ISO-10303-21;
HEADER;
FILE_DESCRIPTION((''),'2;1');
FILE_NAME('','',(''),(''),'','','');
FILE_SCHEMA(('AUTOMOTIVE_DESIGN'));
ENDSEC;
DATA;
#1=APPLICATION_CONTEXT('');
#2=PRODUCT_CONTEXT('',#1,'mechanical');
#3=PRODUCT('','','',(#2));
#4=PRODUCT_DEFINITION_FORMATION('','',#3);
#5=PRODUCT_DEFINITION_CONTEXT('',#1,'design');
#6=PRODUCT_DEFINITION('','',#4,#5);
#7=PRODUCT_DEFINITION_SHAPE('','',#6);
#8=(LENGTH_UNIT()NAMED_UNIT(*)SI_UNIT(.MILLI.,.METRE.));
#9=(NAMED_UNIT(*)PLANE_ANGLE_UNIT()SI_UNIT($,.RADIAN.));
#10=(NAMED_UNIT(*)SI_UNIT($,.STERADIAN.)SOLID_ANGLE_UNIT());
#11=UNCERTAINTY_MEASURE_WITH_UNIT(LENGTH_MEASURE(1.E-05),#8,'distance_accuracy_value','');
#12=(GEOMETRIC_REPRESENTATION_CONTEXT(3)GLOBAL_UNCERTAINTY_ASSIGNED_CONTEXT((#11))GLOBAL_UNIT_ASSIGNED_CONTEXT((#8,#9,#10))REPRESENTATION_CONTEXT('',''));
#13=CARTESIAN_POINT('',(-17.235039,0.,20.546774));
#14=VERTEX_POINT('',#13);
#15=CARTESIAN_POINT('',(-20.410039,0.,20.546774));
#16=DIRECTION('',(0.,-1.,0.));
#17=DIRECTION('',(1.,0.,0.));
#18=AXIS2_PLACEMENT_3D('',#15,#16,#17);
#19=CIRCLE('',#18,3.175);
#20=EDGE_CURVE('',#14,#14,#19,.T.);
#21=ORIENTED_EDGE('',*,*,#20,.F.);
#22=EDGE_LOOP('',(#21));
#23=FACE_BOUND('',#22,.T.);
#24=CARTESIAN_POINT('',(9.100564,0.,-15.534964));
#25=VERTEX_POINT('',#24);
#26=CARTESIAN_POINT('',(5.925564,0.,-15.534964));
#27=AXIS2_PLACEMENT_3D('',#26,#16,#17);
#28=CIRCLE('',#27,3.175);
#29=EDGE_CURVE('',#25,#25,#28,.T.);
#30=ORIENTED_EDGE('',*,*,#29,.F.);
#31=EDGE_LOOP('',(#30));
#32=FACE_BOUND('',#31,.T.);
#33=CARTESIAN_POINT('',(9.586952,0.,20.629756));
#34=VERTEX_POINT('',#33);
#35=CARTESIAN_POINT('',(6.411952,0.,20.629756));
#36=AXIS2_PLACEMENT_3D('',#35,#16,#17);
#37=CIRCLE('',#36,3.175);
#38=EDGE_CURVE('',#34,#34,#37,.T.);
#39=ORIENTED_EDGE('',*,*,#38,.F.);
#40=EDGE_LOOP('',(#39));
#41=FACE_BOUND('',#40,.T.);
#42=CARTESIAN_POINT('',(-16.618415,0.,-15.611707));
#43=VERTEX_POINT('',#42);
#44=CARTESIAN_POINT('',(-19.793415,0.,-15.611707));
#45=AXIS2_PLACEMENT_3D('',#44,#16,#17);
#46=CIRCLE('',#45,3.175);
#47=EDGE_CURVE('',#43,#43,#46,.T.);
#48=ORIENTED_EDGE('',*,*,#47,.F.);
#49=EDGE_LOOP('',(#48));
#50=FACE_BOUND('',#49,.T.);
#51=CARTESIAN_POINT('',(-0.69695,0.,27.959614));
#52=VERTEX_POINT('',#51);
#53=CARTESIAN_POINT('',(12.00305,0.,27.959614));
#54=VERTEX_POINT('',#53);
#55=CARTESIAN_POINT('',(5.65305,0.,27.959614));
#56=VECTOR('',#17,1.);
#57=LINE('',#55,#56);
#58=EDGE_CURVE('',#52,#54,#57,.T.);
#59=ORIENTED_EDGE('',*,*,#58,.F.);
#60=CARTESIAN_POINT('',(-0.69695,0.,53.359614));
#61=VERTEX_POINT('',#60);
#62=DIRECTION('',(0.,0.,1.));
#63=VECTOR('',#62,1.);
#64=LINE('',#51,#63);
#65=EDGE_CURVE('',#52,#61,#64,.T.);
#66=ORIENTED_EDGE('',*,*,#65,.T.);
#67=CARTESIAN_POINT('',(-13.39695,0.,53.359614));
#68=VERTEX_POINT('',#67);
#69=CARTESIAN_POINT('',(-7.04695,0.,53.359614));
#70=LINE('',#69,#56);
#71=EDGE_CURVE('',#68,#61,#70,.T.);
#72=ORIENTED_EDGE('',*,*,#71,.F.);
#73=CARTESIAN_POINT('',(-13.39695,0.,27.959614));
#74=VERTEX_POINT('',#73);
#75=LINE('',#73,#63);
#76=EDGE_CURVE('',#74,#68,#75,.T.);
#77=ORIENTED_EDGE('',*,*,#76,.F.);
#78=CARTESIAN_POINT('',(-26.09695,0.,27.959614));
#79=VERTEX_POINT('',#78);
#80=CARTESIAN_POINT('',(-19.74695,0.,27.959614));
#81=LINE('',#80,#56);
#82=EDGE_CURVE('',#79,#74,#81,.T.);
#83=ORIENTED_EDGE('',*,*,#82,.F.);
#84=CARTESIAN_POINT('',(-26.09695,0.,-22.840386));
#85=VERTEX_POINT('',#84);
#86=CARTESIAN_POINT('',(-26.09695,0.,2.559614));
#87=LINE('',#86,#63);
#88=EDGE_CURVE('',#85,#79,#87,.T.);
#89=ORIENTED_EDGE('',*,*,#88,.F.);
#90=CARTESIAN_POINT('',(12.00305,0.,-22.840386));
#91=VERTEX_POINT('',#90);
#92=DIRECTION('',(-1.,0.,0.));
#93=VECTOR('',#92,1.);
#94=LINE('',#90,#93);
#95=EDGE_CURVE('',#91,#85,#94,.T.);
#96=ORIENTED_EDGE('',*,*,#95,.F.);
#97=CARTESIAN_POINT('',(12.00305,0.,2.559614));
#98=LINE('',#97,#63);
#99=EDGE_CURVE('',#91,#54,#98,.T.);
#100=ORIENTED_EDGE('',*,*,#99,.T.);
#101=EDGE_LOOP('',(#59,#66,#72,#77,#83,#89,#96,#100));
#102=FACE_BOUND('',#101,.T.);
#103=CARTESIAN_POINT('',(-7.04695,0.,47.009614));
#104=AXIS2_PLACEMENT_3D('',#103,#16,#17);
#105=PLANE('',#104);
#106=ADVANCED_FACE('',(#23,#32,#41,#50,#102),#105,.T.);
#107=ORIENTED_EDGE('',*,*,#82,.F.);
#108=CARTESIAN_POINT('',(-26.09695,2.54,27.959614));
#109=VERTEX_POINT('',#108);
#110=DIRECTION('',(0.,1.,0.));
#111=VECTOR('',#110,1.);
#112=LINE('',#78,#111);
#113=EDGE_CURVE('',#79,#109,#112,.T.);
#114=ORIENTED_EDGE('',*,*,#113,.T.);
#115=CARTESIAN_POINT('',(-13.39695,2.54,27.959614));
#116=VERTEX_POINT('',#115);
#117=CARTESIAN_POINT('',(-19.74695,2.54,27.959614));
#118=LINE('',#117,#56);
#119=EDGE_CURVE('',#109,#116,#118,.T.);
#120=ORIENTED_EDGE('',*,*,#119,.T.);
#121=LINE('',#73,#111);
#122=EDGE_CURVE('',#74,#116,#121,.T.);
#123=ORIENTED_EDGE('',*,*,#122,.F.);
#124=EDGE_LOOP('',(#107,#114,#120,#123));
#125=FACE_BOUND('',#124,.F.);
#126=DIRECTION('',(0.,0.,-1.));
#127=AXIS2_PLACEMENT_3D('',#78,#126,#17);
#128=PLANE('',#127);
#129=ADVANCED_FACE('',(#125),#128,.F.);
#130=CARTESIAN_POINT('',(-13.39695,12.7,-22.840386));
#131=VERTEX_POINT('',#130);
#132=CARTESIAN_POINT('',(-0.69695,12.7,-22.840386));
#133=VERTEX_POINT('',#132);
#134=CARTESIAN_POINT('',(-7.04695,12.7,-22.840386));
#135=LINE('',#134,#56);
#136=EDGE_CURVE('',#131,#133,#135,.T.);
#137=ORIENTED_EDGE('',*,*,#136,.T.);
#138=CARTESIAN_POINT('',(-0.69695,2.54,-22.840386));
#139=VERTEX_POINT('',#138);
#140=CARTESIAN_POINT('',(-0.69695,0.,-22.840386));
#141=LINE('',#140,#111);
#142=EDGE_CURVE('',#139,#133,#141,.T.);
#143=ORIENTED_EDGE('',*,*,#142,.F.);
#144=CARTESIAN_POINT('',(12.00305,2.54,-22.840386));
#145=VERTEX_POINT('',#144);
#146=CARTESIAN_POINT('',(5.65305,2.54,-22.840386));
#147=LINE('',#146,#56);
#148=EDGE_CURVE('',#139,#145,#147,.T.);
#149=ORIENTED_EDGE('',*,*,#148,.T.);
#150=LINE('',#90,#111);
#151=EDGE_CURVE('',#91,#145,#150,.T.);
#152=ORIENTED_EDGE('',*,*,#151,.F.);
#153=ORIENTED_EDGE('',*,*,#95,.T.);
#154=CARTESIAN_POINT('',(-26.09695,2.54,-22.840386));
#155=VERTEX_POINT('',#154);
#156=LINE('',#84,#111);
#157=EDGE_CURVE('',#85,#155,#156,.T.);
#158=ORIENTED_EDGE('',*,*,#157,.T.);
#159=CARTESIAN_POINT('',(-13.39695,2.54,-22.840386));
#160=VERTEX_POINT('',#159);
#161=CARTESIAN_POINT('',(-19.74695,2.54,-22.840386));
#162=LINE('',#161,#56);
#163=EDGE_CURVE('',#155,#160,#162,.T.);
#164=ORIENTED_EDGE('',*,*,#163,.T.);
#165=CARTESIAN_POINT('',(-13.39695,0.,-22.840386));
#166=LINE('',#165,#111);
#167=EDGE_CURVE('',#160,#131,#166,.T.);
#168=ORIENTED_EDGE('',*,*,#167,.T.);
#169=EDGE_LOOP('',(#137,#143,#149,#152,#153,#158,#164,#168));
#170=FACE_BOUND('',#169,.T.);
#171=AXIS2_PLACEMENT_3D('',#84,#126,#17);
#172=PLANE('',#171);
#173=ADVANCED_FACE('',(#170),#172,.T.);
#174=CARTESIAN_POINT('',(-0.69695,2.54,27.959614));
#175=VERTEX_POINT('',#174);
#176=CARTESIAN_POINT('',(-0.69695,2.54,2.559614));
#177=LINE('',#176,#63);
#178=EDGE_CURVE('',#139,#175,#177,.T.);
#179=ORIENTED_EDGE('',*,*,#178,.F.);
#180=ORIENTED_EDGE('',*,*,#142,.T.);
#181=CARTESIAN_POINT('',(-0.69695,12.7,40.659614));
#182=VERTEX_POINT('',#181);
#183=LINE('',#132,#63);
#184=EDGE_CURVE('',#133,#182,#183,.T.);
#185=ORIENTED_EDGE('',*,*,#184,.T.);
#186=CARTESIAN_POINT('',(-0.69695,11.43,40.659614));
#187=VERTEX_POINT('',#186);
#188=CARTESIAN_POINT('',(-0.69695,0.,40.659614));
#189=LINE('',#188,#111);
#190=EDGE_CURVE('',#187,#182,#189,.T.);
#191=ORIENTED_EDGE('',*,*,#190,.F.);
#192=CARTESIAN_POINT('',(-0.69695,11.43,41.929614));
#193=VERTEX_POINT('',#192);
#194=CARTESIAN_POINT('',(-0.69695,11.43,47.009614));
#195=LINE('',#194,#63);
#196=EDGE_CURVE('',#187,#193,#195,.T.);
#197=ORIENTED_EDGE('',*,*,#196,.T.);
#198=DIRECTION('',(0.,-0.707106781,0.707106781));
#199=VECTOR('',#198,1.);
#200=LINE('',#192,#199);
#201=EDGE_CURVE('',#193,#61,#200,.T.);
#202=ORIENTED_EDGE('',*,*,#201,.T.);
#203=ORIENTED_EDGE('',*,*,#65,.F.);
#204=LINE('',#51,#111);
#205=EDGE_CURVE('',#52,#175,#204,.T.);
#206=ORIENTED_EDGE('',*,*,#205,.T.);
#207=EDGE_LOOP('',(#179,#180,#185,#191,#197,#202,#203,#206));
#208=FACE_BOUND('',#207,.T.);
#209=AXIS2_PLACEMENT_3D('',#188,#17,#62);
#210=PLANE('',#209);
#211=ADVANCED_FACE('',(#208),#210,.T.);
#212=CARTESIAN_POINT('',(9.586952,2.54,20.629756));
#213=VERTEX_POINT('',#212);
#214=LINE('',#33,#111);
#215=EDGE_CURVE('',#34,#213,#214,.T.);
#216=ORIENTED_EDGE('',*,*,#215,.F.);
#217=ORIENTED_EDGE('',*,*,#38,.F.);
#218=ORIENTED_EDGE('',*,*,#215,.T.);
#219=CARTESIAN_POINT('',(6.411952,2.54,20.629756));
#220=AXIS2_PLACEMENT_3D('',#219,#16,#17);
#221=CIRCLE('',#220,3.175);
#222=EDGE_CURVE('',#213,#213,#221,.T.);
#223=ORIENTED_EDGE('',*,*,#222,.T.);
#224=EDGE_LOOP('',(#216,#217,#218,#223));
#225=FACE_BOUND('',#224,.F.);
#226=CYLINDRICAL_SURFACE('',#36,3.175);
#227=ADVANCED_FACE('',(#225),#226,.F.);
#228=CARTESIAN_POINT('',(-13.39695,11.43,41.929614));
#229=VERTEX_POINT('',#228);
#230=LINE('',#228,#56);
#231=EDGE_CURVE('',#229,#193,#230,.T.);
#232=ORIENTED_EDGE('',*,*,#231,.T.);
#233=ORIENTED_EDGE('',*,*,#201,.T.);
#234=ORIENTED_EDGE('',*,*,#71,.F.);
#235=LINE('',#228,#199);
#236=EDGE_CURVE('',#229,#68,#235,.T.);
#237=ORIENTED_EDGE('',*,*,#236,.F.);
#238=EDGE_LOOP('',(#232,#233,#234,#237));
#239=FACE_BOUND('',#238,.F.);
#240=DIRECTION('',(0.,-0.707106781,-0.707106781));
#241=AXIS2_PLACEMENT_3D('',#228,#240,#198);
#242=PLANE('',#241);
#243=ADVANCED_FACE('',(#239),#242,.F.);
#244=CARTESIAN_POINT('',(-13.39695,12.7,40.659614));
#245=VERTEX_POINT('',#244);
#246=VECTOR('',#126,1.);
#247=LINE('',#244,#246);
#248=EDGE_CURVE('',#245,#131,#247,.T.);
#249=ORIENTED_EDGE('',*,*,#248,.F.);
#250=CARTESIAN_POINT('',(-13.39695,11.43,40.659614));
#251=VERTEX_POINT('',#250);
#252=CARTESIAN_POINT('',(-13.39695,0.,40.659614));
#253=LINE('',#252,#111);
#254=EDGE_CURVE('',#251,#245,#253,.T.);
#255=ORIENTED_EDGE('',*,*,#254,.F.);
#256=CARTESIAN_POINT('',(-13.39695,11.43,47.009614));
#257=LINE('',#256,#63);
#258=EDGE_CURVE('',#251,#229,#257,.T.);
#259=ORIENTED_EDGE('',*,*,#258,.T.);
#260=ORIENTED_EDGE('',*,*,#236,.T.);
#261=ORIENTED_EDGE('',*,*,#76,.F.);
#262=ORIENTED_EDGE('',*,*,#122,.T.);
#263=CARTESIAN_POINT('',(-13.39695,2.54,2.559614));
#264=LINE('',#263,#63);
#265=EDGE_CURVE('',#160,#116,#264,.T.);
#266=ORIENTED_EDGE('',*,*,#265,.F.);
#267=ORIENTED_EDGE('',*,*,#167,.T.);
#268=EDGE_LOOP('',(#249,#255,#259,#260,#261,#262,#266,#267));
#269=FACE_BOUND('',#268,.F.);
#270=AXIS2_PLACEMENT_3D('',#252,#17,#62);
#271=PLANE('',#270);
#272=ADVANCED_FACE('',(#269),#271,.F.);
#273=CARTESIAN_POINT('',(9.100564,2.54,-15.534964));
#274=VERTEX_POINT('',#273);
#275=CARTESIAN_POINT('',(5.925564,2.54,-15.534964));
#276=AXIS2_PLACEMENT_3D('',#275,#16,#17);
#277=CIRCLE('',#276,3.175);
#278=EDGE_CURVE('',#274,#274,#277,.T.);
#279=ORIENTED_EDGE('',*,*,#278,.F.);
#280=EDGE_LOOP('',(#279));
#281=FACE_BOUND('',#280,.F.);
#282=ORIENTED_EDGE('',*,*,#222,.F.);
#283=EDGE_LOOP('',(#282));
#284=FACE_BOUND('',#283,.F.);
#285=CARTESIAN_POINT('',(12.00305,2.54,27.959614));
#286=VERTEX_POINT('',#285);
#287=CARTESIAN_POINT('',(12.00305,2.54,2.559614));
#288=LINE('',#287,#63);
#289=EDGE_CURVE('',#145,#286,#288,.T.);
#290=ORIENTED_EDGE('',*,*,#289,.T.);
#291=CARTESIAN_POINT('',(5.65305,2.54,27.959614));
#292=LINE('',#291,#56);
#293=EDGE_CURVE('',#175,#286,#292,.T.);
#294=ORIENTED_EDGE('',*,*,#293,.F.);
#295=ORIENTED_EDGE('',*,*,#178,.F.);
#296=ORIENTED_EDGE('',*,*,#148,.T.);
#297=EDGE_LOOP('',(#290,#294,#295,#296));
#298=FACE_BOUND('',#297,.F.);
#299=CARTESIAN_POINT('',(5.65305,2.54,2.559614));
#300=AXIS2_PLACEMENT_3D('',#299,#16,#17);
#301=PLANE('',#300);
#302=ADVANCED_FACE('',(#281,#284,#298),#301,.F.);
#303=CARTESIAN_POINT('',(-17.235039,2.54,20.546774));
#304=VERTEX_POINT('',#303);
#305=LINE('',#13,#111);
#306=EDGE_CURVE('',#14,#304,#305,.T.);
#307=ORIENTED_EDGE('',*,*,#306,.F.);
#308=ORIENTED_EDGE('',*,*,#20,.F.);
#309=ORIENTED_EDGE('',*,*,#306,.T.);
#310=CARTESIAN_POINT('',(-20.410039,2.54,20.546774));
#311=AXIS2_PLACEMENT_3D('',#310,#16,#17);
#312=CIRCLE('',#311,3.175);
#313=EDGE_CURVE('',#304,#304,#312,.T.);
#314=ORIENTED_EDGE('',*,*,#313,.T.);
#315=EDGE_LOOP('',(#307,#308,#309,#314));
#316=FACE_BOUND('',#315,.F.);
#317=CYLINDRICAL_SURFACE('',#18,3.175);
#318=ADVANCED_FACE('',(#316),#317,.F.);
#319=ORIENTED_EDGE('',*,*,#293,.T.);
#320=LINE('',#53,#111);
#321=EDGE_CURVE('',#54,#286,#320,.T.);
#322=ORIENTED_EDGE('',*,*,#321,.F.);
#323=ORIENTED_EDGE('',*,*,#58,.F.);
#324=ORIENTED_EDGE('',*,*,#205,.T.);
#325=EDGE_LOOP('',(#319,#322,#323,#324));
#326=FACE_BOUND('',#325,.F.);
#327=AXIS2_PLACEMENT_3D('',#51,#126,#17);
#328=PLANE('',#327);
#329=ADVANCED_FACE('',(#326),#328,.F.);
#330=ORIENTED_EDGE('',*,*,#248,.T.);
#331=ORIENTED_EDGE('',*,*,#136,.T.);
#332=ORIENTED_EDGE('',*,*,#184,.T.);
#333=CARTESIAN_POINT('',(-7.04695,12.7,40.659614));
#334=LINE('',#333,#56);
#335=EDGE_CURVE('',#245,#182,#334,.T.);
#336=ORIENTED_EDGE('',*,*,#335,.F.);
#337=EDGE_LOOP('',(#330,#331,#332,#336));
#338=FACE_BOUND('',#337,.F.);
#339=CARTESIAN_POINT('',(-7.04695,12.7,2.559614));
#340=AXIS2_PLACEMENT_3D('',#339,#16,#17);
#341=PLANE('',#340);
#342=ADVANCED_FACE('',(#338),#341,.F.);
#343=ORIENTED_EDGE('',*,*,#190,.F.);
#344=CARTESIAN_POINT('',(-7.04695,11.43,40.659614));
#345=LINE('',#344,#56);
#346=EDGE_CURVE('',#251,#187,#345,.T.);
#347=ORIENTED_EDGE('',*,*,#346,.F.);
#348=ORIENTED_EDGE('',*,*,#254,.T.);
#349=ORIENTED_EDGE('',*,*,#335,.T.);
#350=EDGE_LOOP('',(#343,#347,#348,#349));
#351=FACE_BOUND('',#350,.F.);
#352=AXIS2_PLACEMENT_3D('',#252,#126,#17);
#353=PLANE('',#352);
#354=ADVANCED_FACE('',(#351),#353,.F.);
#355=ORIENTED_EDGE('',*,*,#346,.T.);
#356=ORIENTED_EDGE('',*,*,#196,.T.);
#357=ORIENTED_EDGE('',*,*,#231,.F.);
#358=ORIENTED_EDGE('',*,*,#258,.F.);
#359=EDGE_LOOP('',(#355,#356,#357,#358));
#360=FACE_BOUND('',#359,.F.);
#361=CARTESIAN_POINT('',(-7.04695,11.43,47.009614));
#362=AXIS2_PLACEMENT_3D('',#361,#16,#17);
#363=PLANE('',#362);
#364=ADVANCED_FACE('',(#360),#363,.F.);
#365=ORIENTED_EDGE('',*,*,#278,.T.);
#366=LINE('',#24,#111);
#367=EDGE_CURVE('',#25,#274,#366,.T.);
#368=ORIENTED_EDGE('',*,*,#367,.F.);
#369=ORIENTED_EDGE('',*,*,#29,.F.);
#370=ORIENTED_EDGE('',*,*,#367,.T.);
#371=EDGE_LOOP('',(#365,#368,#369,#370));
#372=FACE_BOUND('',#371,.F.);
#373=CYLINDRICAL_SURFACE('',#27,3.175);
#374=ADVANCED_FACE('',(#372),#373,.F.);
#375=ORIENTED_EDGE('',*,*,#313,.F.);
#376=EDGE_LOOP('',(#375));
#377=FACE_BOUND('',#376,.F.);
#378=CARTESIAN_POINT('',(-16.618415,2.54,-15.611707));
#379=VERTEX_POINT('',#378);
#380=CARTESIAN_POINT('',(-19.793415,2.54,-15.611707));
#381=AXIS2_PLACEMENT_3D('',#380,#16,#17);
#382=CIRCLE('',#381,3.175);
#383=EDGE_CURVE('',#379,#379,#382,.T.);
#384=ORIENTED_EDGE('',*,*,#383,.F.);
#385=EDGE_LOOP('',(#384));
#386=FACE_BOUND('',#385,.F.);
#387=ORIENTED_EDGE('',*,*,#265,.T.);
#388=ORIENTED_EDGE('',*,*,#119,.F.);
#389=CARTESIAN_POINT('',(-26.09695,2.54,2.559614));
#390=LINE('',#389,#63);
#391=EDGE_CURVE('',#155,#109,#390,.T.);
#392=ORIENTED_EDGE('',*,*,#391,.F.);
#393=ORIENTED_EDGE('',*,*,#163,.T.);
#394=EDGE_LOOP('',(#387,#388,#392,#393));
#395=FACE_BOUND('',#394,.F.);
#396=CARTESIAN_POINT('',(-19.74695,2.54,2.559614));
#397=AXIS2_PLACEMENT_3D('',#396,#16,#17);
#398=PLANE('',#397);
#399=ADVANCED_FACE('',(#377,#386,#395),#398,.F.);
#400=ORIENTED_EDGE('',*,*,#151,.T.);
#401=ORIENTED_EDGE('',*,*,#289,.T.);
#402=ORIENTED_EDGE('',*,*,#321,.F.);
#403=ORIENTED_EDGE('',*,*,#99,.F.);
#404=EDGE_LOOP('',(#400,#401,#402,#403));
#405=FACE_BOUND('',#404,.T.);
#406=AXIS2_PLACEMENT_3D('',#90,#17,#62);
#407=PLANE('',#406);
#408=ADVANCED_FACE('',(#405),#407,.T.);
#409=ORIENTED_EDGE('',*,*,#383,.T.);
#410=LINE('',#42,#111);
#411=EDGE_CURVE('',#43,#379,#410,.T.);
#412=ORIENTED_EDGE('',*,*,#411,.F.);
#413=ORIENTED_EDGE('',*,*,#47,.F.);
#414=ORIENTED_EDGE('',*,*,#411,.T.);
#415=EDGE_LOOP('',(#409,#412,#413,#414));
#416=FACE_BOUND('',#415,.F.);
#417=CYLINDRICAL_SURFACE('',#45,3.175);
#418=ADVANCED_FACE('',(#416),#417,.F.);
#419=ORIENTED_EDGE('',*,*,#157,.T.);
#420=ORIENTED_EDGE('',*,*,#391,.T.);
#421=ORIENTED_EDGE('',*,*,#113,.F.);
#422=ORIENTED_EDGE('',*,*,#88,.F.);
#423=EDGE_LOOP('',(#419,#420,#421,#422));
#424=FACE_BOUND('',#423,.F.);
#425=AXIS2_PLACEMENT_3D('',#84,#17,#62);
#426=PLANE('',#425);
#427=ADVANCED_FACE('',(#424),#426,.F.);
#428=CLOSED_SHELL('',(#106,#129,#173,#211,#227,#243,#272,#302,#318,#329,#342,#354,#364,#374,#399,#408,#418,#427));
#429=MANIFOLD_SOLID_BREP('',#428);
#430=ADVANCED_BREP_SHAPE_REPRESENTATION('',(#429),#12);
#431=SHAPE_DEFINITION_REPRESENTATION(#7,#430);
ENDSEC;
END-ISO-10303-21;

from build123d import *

# Parameters (mm, degrees)
F0_W     = 12.7
F0_H     = 50.8
F0_H_2   = 12.7
F1_DEPTH = 12.7
F0_R     = 3.175
F2_DEPTH = 2.54
F3_DEPTH = 11.43
F5_DEPTH = 12.7


with BuildPart() as f1:
    # F0 (on Front) → F1 (new body)
    with BuildSketch(Plane.XZ):
        with Locations((-7.0469496608, 2.5596140835)):
            Rectangle(F0_W, F0_H)
        with Locations((-7.0469496608, 34.3096140835)):
            Rectangle(F0_W, F0_H_2)
    extrude(amount=-F1_DEPTH)

    # F0 (on Front) → F2 (join)
    with BuildSketch(Plane.XZ):
        with Locations((-19.7469496608, 2.5596140835)):
            Rectangle(F0_W, F0_H)
        with Locations((-19.7934154421, -15.6117072329)):
            Circle(F0_R, mode=Mode.SUBTRACT)
        with Locations((-20.4100394858, 20.5467736741)):
            Circle(F0_R, mode=Mode.SUBTRACT)
        with Locations((5.6530503392, 2.5596140835)):
            Rectangle(F0_W, F0_H)
        with Locations((5.9255640863, -15.5349638661)):
            Circle(F0_R, mode=Mode.SUBTRACT)
        with Locations((6.4119519666, 20.6297561526)):
            Circle(F0_R, mode=Mode.SUBTRACT)
    extrude(amount=-F2_DEPTH)

    # F0 (on Front) → F3 (join)
    with BuildSketch(Plane.XZ):
        with Locations((-7.0469496608, 47.0096140835)):
            Rectangle(F0_W, F0_H_2)
    extrude(amount=-F3_DEPTH)

    # F4 (on face) → F5 (cut)
    with BuildSketch(Plane(origin=(-13.3969496608, 0, 0), x_dir=(0, -1, 0), z_dir=(-1, 0, 0))):
        Polygon((0, 53.3596140835), (-11.43, 53.3596140835), (-11.43, 41.9296140835), align=None)
    extrude(amount=-F5_DEPTH, mode=Mode.SUBTRACT)


solid = f1.part
